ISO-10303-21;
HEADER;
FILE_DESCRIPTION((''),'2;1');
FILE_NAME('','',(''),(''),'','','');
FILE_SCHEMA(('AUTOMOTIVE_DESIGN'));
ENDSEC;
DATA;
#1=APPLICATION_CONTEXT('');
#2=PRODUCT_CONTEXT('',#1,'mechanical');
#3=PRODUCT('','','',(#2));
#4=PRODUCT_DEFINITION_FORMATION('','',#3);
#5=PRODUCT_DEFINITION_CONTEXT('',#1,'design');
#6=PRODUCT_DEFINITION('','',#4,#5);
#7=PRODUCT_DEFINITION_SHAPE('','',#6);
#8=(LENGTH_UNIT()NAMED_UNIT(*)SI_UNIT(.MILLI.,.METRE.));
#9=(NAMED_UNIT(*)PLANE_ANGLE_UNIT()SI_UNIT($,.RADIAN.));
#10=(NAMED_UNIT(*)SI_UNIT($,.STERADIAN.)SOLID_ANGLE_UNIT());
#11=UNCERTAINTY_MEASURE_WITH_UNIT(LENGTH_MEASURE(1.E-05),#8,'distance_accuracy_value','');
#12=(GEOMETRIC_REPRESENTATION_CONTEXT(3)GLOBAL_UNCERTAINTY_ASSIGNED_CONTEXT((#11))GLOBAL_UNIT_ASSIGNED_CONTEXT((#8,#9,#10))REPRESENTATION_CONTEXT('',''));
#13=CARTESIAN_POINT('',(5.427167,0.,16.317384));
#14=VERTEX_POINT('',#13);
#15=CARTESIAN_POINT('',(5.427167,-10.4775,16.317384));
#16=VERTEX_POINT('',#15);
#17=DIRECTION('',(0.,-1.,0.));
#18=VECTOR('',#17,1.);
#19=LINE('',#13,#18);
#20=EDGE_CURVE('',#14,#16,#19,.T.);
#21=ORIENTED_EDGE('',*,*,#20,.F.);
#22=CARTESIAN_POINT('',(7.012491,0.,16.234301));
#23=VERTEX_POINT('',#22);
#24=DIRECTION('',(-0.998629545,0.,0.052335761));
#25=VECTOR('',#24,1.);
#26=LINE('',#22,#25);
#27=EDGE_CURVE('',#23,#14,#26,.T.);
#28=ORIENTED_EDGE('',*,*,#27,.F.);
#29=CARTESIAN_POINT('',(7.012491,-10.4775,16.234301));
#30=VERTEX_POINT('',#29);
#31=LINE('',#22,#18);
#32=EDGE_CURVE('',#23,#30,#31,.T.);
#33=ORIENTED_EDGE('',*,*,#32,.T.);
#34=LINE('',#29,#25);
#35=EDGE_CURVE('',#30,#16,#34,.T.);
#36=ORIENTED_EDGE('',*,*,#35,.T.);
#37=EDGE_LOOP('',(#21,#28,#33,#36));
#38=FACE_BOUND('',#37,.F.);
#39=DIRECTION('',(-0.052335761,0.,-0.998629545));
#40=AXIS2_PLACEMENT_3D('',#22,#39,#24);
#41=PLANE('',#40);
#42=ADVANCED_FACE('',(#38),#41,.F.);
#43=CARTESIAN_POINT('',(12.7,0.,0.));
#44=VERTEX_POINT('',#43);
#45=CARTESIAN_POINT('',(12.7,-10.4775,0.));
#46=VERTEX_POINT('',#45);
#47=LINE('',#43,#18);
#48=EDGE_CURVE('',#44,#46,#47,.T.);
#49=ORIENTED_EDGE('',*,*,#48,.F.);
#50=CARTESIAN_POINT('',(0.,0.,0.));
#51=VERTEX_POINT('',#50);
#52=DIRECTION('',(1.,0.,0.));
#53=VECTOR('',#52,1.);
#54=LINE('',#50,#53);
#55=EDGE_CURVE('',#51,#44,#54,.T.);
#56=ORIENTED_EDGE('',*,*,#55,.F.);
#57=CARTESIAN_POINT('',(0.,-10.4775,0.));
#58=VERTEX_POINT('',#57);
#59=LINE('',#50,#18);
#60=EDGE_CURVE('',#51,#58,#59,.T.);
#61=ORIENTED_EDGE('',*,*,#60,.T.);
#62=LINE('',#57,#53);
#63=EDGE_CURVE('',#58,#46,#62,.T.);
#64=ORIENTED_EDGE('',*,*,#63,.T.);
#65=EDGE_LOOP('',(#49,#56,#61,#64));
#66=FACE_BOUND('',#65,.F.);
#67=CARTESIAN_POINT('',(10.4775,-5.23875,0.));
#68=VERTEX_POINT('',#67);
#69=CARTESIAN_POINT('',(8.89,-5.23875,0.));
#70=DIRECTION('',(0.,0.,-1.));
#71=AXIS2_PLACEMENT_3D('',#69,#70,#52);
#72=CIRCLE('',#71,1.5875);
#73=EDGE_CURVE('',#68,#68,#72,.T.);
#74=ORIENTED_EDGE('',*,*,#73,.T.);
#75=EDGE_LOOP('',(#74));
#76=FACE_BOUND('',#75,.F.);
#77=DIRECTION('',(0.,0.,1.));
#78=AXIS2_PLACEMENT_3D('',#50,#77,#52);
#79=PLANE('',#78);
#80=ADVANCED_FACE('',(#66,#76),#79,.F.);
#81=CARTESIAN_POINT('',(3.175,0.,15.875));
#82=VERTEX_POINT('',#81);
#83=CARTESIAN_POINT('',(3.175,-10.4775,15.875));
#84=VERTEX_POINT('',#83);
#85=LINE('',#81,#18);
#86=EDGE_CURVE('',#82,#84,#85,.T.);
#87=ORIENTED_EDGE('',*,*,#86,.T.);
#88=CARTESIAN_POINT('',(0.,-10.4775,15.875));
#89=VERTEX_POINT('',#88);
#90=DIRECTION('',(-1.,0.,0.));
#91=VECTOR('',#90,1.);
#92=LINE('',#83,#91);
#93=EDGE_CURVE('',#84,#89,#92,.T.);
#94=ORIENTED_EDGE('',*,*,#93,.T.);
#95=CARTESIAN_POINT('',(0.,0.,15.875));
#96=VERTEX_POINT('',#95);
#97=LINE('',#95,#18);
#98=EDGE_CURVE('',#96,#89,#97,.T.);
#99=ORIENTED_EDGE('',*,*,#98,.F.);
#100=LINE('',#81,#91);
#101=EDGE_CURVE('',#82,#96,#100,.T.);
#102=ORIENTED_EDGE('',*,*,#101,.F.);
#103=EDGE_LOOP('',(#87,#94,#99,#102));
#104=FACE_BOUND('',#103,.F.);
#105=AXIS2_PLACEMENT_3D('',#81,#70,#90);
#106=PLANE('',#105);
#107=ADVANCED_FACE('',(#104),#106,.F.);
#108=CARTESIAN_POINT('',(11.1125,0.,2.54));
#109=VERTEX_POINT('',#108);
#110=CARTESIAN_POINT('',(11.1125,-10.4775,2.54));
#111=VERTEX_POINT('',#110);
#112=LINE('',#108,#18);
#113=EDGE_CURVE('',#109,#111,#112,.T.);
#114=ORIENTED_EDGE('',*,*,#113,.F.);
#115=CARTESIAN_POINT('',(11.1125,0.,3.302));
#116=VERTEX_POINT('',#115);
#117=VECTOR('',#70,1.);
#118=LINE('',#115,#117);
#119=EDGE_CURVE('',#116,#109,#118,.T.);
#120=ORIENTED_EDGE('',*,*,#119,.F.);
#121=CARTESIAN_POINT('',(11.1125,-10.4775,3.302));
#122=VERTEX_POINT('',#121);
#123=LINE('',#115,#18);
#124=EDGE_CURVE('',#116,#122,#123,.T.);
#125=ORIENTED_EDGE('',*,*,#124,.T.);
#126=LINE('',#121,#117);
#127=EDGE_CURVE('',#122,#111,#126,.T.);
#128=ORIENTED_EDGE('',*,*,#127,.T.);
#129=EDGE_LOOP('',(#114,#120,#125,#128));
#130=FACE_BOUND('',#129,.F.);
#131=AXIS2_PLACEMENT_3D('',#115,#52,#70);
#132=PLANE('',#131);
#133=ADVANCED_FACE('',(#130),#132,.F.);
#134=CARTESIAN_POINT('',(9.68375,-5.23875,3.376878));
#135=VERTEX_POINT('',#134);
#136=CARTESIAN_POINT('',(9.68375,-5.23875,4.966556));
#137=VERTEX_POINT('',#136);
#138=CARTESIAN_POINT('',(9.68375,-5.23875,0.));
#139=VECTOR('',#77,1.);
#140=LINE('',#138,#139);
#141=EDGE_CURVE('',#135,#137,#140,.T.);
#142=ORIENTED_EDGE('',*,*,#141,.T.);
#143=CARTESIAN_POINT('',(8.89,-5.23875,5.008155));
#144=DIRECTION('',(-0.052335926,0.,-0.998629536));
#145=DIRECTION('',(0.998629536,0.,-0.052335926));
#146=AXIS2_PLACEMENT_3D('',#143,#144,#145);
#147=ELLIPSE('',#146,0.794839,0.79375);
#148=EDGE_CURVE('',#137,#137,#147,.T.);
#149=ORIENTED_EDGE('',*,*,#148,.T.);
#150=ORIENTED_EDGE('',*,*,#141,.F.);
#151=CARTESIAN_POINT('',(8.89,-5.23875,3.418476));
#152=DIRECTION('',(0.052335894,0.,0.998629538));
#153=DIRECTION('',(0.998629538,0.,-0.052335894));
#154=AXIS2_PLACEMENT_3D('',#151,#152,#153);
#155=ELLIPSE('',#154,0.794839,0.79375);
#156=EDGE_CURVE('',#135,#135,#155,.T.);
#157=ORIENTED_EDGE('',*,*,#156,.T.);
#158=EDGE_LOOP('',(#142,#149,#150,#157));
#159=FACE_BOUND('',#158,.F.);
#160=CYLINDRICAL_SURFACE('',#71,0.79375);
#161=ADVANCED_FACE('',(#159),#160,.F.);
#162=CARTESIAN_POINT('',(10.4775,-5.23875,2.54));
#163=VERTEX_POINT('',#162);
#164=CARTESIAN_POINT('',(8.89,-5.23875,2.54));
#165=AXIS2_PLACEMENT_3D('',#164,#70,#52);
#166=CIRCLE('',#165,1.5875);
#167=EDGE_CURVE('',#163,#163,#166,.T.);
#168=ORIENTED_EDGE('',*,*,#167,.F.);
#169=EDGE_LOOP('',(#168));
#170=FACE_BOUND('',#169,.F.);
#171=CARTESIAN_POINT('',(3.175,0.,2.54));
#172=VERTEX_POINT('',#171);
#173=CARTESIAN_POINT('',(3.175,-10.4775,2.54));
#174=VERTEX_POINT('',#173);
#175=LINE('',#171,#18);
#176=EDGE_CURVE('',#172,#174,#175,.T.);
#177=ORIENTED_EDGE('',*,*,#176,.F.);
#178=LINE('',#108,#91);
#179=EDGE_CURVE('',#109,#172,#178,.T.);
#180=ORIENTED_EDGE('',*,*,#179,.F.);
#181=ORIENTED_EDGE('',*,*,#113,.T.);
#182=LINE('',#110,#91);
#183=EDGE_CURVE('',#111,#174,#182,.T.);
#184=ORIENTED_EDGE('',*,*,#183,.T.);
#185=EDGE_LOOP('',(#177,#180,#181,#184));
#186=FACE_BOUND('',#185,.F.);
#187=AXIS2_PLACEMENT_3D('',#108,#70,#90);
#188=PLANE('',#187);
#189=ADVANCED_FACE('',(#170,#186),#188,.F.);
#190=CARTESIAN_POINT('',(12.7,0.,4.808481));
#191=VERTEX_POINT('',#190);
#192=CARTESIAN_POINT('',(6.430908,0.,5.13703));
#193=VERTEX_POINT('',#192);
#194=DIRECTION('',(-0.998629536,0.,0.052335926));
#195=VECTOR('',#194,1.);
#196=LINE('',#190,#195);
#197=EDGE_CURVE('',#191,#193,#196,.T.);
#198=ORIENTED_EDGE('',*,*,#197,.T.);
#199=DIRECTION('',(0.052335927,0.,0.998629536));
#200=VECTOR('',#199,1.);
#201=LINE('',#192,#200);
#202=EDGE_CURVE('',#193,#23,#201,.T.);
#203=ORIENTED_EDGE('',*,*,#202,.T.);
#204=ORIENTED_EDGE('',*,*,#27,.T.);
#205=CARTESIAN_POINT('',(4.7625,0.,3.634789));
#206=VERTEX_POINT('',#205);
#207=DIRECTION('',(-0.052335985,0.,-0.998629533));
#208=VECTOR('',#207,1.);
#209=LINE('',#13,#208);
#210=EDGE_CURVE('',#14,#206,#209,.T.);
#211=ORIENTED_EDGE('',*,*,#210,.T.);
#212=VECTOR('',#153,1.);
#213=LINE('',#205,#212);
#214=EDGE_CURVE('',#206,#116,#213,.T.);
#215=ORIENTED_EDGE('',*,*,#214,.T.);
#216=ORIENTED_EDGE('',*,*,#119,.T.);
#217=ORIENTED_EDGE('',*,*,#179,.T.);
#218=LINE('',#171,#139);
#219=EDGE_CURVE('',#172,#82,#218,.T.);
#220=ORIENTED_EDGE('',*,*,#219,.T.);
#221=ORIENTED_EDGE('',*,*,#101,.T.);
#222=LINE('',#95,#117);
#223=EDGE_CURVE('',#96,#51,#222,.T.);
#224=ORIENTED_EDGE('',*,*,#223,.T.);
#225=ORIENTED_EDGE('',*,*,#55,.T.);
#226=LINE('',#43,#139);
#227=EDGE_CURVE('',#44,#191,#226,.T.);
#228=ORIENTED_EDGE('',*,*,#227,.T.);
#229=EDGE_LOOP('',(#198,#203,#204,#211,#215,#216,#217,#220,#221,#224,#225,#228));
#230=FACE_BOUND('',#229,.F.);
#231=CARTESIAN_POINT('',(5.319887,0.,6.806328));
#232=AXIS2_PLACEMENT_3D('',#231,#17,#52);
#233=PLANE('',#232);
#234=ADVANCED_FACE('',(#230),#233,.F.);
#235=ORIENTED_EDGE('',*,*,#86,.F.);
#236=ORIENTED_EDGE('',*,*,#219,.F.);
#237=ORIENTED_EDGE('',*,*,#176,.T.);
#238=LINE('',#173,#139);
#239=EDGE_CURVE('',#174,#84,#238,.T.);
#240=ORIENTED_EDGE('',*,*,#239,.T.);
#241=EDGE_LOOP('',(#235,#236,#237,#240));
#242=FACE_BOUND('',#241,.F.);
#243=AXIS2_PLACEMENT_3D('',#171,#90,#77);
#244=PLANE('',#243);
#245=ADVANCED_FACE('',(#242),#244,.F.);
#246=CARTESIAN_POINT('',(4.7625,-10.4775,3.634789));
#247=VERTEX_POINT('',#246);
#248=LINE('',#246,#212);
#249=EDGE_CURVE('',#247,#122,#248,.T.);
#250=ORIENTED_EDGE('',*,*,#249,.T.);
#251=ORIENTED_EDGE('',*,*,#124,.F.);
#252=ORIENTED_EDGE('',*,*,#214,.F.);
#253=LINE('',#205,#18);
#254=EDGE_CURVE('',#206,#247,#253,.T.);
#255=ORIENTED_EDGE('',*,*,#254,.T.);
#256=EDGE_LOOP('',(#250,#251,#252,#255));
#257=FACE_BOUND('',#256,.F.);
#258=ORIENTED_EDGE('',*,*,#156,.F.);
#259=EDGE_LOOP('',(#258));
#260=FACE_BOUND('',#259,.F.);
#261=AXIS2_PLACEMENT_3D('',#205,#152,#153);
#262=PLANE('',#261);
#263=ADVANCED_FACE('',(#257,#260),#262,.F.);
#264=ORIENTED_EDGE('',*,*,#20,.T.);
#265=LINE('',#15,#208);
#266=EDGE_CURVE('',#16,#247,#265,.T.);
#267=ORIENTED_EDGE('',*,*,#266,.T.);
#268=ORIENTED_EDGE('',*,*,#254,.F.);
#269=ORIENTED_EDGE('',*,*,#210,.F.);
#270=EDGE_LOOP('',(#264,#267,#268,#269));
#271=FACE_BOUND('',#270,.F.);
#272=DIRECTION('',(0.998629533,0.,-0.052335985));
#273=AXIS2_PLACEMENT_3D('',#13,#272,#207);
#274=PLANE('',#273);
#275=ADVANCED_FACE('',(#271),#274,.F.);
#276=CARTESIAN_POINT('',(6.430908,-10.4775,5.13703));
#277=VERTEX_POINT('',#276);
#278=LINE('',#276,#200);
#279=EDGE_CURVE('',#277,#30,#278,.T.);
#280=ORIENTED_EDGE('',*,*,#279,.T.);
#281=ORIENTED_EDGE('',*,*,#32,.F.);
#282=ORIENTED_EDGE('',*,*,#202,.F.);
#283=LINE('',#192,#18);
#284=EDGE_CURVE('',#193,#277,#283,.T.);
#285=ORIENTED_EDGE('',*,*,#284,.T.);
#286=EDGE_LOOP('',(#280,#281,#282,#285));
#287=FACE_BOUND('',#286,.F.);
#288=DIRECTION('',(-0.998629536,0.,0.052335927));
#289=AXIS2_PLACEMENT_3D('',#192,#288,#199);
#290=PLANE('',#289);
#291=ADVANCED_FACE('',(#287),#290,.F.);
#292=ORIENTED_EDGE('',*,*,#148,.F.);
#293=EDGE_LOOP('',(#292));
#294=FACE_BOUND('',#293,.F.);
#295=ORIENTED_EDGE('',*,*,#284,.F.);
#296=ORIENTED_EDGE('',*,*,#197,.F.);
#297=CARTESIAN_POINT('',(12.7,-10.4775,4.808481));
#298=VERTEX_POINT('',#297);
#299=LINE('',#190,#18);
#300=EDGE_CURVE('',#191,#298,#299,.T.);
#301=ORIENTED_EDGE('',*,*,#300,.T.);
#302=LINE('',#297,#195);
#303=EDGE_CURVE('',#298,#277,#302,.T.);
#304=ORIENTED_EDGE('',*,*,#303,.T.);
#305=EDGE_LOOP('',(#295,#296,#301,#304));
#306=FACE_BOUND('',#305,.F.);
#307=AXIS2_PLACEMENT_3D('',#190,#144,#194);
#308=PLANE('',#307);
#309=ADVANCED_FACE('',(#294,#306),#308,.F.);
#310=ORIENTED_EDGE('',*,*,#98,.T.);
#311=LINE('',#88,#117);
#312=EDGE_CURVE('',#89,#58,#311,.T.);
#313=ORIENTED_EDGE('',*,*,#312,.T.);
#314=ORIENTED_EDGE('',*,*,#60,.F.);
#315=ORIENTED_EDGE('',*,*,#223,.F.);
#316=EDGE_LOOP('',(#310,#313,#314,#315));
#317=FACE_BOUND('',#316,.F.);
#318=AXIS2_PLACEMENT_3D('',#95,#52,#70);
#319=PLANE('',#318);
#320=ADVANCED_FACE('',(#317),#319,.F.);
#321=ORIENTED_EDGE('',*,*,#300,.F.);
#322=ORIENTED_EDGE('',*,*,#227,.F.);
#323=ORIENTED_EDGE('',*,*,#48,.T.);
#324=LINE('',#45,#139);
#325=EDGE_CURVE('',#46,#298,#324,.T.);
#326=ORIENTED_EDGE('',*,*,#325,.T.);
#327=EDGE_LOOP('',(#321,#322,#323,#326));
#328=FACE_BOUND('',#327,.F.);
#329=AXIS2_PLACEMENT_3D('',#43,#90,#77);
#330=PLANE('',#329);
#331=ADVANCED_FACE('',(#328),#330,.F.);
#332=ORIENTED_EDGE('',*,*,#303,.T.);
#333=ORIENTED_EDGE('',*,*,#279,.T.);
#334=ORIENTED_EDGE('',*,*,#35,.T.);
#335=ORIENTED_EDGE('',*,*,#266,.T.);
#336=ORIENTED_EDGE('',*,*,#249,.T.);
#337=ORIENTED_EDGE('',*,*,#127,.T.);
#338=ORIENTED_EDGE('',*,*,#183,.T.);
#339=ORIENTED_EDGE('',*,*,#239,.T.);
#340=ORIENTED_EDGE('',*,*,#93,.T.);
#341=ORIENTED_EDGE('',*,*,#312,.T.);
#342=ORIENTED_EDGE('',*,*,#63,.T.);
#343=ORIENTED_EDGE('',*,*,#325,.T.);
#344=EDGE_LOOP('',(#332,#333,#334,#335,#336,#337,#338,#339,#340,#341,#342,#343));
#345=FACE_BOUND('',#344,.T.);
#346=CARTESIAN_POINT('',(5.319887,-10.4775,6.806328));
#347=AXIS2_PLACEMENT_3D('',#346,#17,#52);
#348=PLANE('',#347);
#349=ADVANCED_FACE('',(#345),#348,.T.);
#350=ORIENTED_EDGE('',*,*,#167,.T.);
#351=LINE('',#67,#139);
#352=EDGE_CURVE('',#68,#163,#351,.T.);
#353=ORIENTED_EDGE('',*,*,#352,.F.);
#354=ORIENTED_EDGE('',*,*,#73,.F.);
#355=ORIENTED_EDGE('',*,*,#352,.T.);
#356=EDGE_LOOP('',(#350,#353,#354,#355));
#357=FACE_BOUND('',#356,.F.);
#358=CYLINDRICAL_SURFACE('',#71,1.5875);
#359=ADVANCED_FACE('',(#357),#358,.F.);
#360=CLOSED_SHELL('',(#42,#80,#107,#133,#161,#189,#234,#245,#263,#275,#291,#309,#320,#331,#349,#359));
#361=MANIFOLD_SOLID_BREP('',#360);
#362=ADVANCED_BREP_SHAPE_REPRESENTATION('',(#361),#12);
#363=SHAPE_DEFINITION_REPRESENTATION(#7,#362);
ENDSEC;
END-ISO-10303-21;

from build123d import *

# Parameters (mm, degrees)
F1_DEPTH = 10.4775
F2_R     = 1.5875
F3_DEPTH = 2.54
F4_R     = 0.79375
F5_DEPTH = 16.318384


with BuildPart() as f1:
    # F0 (on Front) → F1 (new body)
    with BuildSketch(Plane.XZ):
        Polygon((3.175, 15.875), (0, 15.875), (0, 0), (12.7, 0), (12.7, 4.808481), (6.430908, 5.13703), (7.012491, 16.234301), (5.427167, 16.317384), (4.7625, 3.634789), (11.1125, 3.302), (11.1125, 2.54), (3.175, 2.54), align=None)
    extrude(amount=F1_DEPTH)

    # F2 (on face) → F3 (cut)
    with BuildSketch(Plane(origin=(0, 0, 0), x_dir=(1, 0, 0), z_dir=(0, 0, -1))):
        with Locations((8.89, 5.23875)):
            Circle(F2_R)
    extrude(amount=-F3_DEPTH, mode=Mode.SUBTRACT)

    # F4 (on face) → F5 (cut, through all)
    with BuildSketch(Plane(origin=(0, 0, 0), x_dir=(1, 0, 0), z_dir=(0, 0, -1))):
        with Locations((8.89, 5.23875)):
            Circle(F4_R)
    extrude(amount=-F5_DEPTH, mode=Mode.SUBTRACT)


solid = f1.part
